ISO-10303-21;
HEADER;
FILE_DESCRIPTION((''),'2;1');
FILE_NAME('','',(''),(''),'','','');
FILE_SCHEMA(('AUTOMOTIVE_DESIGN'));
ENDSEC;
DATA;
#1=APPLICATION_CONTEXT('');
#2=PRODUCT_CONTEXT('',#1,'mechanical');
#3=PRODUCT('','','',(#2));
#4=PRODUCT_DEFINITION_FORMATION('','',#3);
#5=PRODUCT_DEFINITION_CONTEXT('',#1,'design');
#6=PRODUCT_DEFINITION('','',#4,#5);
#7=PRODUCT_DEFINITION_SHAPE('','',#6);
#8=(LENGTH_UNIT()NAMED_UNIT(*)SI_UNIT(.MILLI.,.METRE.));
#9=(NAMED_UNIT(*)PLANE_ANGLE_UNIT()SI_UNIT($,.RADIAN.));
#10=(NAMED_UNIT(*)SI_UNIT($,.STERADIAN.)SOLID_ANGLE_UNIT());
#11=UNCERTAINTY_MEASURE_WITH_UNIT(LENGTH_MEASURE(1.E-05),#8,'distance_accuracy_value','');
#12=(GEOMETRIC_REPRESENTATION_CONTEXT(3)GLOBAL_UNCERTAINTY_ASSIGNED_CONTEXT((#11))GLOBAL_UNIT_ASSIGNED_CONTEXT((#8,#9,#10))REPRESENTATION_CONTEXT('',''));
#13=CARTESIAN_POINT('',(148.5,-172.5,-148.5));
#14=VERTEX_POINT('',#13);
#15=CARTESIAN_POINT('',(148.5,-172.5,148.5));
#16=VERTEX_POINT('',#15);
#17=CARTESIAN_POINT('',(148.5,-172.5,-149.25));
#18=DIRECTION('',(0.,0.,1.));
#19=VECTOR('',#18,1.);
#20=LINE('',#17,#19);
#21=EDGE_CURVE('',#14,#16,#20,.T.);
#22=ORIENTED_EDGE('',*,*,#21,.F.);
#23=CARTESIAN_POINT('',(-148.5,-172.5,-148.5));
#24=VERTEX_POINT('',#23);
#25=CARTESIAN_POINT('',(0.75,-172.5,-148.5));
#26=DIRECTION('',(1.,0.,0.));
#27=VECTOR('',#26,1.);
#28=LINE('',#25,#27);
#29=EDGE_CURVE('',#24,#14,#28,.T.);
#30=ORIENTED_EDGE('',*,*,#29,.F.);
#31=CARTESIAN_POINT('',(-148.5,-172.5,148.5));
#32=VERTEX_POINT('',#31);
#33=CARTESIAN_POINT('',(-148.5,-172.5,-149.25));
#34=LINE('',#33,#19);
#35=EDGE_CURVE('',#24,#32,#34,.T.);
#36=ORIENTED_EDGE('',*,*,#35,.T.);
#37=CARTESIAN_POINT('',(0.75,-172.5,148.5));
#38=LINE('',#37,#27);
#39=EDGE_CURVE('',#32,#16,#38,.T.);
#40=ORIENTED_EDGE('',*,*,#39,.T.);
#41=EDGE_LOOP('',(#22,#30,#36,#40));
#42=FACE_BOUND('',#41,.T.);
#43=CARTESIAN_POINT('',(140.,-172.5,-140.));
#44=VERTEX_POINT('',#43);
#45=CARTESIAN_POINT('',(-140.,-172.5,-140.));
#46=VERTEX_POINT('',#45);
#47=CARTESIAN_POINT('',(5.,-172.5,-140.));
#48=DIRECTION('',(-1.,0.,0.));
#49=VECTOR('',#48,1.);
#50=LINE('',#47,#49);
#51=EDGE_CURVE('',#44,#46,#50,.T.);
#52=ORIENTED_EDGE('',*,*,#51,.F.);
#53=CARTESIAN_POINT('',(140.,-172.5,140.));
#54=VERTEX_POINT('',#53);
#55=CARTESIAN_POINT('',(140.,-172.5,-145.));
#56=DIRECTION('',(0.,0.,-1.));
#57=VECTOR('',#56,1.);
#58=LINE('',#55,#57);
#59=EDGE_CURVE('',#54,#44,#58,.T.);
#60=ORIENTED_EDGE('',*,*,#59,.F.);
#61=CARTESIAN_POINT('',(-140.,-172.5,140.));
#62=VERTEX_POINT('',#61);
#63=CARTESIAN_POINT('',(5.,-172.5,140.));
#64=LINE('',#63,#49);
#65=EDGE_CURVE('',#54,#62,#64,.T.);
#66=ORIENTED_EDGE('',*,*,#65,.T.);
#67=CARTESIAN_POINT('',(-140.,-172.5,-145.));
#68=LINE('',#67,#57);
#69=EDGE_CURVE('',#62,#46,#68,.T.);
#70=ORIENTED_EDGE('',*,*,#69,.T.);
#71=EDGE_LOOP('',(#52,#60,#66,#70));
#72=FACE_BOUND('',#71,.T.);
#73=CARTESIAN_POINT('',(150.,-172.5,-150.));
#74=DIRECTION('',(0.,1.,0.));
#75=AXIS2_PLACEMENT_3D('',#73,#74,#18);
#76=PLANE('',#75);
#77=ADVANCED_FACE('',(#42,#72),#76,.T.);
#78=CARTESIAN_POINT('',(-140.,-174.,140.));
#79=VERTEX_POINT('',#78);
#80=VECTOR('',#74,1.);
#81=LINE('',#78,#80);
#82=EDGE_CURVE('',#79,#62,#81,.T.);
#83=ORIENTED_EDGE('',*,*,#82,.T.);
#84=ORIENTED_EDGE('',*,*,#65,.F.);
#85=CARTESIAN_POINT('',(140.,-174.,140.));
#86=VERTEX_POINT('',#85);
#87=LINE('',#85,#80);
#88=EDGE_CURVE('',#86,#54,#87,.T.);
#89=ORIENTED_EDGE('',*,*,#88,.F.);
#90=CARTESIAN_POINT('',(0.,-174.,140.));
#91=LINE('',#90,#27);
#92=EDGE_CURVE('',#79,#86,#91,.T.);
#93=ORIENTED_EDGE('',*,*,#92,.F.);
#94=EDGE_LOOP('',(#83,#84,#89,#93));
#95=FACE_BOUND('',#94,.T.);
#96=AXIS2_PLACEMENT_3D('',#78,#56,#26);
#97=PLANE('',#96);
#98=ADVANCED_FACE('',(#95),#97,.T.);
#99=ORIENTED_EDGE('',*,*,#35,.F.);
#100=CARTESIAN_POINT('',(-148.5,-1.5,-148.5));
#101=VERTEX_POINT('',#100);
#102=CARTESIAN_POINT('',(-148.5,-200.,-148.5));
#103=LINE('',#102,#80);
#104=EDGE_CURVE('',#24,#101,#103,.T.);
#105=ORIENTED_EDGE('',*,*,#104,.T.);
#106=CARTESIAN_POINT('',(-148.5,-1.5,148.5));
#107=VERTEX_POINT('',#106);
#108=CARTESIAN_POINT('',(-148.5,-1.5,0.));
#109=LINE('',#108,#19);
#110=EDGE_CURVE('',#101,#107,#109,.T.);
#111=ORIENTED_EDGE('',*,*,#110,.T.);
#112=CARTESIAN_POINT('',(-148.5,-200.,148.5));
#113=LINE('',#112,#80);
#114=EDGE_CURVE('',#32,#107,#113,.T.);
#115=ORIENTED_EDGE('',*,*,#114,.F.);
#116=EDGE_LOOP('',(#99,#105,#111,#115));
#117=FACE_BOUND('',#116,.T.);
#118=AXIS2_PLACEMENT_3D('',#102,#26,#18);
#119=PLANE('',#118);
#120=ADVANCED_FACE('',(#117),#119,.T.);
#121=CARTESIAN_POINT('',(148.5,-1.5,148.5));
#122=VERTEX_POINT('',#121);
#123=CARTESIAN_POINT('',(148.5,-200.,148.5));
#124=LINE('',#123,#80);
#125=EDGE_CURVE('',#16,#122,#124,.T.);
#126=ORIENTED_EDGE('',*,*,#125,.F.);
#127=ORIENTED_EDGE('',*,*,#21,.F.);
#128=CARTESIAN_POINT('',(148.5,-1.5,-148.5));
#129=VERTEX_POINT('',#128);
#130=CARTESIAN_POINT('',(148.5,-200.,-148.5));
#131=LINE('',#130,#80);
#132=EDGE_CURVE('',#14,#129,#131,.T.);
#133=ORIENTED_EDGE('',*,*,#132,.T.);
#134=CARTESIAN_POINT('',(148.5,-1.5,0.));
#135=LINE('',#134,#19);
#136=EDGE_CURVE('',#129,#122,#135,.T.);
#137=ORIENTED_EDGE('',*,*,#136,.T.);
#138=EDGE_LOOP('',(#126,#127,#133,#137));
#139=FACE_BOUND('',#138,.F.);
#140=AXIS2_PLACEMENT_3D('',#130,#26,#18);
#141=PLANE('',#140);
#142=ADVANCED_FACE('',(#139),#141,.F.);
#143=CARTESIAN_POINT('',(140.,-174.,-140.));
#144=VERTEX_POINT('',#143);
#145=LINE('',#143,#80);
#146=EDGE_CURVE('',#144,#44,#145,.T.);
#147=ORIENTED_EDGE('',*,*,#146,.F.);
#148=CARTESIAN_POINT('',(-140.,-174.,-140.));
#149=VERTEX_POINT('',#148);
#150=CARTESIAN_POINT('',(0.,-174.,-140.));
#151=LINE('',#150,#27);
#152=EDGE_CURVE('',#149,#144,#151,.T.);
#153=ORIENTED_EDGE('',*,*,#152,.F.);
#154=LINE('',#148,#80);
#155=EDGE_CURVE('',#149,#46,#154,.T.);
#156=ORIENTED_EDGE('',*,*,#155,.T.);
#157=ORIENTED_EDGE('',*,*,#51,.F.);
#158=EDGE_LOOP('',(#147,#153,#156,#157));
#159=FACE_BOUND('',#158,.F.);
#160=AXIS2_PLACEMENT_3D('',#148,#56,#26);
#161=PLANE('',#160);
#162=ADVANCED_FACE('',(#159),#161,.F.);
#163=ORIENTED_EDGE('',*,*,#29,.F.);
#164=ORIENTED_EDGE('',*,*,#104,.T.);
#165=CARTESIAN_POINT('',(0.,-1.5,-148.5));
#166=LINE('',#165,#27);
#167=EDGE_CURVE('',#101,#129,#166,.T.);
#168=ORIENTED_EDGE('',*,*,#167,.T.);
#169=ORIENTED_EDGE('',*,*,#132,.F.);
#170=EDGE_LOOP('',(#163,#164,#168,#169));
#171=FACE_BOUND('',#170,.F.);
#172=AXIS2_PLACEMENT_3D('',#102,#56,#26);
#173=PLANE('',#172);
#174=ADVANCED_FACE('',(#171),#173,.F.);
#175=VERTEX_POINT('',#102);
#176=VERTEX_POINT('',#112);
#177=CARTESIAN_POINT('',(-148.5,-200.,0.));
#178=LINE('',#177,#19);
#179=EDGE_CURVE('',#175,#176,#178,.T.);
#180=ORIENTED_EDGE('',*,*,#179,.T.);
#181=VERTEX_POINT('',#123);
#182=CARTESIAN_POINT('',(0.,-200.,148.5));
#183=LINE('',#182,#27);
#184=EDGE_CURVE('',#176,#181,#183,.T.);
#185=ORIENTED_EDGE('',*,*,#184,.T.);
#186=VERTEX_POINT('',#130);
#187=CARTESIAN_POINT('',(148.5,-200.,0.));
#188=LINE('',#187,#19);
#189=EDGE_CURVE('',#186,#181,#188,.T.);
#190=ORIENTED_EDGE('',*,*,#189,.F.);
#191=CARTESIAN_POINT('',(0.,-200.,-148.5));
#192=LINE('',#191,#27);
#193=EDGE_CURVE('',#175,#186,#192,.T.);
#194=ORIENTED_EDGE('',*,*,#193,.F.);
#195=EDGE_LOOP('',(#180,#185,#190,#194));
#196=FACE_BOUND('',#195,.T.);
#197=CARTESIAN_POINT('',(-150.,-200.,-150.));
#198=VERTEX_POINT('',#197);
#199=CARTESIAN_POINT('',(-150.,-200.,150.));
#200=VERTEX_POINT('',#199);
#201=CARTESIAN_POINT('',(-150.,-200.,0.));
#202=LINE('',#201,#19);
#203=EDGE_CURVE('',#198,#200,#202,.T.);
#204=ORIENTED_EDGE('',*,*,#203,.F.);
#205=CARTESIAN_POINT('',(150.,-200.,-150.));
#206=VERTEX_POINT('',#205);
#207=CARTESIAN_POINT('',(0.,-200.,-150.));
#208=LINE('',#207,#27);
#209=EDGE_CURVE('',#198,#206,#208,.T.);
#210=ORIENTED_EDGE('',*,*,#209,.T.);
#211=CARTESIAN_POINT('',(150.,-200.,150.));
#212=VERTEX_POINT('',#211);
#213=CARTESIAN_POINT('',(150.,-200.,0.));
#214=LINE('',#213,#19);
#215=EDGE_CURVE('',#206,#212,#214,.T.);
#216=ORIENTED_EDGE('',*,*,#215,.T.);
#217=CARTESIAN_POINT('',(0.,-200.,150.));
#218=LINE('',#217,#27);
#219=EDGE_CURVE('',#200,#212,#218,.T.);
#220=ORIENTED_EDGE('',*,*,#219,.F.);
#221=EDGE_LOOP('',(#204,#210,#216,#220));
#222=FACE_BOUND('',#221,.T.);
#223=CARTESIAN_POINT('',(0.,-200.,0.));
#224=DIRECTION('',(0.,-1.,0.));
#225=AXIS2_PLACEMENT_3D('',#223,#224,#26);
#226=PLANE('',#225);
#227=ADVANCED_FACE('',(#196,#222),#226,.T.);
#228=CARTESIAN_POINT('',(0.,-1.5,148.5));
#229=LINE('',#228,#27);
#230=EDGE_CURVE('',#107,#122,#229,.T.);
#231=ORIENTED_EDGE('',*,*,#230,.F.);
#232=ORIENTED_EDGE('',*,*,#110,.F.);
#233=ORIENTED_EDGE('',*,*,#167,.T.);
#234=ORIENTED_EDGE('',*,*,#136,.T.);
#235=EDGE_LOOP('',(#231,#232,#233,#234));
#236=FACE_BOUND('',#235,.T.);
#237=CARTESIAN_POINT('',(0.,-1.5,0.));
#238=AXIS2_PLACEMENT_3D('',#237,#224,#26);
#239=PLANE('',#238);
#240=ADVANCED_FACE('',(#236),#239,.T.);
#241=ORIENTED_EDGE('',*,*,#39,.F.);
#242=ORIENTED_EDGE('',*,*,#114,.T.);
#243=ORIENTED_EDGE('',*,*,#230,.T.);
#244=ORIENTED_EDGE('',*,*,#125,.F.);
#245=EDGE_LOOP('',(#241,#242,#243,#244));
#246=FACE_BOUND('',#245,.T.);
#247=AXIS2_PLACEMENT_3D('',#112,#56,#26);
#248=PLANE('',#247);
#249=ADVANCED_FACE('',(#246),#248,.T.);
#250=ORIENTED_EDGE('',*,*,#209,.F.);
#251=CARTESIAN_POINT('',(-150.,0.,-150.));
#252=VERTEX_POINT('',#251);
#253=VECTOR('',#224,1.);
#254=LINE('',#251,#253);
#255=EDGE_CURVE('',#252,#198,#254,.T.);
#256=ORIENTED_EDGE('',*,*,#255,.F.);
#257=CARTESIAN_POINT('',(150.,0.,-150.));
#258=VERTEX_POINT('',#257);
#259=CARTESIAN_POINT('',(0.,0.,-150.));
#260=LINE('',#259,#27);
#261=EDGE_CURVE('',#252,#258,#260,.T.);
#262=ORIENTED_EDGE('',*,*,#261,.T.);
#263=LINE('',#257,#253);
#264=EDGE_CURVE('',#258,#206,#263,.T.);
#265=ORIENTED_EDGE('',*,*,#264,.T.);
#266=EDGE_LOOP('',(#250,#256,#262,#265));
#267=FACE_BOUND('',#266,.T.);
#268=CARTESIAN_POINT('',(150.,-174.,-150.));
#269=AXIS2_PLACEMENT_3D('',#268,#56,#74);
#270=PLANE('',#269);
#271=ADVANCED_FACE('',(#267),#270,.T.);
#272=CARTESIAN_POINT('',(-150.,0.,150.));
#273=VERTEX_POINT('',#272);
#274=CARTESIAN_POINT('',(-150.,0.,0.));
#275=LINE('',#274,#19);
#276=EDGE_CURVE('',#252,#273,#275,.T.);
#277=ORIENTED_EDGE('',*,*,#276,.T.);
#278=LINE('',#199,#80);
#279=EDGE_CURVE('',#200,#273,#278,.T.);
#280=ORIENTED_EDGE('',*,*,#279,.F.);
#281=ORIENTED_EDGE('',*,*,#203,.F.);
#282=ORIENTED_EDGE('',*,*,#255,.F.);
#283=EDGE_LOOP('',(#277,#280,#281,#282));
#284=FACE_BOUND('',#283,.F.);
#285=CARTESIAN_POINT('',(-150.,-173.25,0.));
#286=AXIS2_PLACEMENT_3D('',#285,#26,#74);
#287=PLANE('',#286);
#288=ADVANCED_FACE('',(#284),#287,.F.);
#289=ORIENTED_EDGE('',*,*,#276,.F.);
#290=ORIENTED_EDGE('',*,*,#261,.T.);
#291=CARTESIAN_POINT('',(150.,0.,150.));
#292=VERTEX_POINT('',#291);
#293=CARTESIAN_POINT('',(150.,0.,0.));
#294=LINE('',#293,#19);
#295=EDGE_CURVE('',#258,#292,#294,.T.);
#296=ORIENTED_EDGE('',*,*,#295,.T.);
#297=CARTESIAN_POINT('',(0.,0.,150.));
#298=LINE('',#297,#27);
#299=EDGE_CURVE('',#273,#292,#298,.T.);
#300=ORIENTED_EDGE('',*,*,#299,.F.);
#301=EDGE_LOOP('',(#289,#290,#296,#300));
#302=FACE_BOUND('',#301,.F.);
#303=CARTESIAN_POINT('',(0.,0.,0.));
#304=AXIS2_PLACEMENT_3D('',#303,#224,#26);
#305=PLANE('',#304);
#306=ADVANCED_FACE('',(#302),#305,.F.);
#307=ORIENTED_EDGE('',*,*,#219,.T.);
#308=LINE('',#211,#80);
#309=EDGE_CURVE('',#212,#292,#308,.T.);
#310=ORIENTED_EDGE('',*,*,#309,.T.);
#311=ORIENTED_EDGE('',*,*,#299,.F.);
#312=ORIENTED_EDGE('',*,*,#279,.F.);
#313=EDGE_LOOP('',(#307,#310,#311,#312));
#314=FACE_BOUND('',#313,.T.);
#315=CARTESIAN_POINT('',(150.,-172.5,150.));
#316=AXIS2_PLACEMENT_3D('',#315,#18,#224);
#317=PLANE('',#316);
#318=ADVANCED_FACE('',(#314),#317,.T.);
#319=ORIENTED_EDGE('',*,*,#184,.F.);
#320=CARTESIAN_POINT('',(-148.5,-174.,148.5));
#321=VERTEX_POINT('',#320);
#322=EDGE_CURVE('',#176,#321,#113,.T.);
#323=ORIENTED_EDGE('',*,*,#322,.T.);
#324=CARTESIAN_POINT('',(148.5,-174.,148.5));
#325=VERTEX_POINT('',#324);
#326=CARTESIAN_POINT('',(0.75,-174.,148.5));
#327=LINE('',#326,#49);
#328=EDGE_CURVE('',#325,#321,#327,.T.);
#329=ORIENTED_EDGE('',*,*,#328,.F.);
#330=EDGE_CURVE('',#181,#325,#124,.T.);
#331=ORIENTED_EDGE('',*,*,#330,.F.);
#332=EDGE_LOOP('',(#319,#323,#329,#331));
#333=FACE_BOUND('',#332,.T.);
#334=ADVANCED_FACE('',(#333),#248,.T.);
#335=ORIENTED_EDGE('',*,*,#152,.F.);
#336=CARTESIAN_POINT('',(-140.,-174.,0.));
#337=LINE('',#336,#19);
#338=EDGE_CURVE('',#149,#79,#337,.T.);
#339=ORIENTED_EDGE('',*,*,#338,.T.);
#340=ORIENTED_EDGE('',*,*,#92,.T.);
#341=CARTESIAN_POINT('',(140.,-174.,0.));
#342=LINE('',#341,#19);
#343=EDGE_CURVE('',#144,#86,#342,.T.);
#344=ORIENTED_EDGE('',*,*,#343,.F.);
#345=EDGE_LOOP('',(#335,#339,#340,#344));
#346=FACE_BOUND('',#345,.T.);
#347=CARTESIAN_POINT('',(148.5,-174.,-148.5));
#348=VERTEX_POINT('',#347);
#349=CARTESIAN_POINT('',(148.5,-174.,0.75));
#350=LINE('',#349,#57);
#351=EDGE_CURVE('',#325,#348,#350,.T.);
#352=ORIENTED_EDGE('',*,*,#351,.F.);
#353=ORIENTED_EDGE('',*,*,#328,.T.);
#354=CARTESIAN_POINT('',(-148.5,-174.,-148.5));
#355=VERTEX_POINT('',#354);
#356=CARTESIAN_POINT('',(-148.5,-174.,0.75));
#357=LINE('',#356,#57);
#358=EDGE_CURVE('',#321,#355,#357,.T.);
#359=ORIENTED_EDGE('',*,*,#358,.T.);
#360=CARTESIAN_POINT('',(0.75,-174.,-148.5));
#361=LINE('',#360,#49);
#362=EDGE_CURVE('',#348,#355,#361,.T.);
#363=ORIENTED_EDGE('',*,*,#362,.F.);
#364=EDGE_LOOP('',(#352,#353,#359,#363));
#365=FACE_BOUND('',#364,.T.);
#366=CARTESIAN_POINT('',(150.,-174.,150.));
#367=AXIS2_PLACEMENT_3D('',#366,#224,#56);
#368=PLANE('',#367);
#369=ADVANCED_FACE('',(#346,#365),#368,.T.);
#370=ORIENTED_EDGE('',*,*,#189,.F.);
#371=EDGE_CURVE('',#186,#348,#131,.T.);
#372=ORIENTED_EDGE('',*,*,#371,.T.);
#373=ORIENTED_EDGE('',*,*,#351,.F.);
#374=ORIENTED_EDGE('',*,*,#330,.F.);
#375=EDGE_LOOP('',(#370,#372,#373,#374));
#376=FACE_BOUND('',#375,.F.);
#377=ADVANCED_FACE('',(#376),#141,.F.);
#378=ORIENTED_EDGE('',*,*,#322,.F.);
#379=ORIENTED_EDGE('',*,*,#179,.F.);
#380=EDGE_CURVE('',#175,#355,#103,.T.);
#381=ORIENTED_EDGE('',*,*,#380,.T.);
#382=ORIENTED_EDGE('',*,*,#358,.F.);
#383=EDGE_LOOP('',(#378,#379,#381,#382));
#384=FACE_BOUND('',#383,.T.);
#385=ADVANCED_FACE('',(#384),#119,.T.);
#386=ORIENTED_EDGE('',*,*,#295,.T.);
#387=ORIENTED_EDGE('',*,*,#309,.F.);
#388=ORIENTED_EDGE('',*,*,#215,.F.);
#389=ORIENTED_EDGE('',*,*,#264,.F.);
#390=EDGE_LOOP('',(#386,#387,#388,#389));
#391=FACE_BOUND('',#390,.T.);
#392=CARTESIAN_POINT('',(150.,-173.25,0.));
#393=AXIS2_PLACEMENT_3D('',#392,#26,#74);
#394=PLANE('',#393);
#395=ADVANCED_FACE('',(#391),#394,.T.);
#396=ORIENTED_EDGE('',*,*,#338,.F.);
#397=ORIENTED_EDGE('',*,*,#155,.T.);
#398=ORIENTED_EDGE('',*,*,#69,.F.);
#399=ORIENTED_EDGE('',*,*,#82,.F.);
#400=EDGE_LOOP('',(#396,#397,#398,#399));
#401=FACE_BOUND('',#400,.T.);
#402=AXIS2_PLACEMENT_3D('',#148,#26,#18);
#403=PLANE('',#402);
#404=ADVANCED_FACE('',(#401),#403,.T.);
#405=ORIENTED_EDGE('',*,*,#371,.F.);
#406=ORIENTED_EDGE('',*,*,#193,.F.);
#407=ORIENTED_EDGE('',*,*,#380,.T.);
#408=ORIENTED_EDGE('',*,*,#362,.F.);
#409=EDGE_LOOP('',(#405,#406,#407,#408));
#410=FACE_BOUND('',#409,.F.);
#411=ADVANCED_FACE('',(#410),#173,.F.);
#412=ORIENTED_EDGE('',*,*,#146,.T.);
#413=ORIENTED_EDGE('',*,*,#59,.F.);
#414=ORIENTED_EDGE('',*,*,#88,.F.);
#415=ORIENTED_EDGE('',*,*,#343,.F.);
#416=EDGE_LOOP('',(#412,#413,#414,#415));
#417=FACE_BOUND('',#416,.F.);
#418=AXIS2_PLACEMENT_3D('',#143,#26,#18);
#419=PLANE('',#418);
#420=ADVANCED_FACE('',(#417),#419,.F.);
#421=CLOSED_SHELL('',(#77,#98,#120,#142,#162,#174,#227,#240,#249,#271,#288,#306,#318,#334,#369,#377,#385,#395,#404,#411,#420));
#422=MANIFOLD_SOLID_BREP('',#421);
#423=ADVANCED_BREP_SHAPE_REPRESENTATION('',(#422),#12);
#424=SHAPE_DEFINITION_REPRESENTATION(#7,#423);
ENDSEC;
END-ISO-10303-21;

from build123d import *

# Parameters (mm, degrees)
F0_W     = 300
F0_H     = 300
F1_DEPTH = 200
F2_W     = 297
F2_H     = 297
F3_DEPTH = 198.5
F5_DEPTH = 300
F6_W     = 280
F6_H     = 280
F7_DEPTH = 25


with BuildPart() as f1:
    # F0 (on Front) → F1 (new body)
    with BuildSketch(Plane.XZ):
        Rectangle(F0_W, F0_H)
    extrude(amount=F1_DEPTH)

    # F2 (on face) → F3 (cut)
    with BuildSketch(Plane.XZ.offset(200)):
        Rectangle(F2_W, F2_H)
    extrude(amount=-F3_DEPTH, mode=Mode.SUBTRACT)

    # F4 (on face) → F5 (join)
    with BuildSketch(Plane.YZ.offset(150)):
        Polygon((-174, 150), (-174, 0), (-174, -150), (-172.5, -150), (-172.5, 150), align=None)
    extrude(amount=-F5_DEPTH)

    # F6 (on face) → F7 (cut)
    with BuildSketch(Plane.XZ.offset(174)):
        Rectangle(F6_W, F6_H)
    extrude(amount=-F7_DEPTH, mode=Mode.SUBTRACT)


solid = f1.part
